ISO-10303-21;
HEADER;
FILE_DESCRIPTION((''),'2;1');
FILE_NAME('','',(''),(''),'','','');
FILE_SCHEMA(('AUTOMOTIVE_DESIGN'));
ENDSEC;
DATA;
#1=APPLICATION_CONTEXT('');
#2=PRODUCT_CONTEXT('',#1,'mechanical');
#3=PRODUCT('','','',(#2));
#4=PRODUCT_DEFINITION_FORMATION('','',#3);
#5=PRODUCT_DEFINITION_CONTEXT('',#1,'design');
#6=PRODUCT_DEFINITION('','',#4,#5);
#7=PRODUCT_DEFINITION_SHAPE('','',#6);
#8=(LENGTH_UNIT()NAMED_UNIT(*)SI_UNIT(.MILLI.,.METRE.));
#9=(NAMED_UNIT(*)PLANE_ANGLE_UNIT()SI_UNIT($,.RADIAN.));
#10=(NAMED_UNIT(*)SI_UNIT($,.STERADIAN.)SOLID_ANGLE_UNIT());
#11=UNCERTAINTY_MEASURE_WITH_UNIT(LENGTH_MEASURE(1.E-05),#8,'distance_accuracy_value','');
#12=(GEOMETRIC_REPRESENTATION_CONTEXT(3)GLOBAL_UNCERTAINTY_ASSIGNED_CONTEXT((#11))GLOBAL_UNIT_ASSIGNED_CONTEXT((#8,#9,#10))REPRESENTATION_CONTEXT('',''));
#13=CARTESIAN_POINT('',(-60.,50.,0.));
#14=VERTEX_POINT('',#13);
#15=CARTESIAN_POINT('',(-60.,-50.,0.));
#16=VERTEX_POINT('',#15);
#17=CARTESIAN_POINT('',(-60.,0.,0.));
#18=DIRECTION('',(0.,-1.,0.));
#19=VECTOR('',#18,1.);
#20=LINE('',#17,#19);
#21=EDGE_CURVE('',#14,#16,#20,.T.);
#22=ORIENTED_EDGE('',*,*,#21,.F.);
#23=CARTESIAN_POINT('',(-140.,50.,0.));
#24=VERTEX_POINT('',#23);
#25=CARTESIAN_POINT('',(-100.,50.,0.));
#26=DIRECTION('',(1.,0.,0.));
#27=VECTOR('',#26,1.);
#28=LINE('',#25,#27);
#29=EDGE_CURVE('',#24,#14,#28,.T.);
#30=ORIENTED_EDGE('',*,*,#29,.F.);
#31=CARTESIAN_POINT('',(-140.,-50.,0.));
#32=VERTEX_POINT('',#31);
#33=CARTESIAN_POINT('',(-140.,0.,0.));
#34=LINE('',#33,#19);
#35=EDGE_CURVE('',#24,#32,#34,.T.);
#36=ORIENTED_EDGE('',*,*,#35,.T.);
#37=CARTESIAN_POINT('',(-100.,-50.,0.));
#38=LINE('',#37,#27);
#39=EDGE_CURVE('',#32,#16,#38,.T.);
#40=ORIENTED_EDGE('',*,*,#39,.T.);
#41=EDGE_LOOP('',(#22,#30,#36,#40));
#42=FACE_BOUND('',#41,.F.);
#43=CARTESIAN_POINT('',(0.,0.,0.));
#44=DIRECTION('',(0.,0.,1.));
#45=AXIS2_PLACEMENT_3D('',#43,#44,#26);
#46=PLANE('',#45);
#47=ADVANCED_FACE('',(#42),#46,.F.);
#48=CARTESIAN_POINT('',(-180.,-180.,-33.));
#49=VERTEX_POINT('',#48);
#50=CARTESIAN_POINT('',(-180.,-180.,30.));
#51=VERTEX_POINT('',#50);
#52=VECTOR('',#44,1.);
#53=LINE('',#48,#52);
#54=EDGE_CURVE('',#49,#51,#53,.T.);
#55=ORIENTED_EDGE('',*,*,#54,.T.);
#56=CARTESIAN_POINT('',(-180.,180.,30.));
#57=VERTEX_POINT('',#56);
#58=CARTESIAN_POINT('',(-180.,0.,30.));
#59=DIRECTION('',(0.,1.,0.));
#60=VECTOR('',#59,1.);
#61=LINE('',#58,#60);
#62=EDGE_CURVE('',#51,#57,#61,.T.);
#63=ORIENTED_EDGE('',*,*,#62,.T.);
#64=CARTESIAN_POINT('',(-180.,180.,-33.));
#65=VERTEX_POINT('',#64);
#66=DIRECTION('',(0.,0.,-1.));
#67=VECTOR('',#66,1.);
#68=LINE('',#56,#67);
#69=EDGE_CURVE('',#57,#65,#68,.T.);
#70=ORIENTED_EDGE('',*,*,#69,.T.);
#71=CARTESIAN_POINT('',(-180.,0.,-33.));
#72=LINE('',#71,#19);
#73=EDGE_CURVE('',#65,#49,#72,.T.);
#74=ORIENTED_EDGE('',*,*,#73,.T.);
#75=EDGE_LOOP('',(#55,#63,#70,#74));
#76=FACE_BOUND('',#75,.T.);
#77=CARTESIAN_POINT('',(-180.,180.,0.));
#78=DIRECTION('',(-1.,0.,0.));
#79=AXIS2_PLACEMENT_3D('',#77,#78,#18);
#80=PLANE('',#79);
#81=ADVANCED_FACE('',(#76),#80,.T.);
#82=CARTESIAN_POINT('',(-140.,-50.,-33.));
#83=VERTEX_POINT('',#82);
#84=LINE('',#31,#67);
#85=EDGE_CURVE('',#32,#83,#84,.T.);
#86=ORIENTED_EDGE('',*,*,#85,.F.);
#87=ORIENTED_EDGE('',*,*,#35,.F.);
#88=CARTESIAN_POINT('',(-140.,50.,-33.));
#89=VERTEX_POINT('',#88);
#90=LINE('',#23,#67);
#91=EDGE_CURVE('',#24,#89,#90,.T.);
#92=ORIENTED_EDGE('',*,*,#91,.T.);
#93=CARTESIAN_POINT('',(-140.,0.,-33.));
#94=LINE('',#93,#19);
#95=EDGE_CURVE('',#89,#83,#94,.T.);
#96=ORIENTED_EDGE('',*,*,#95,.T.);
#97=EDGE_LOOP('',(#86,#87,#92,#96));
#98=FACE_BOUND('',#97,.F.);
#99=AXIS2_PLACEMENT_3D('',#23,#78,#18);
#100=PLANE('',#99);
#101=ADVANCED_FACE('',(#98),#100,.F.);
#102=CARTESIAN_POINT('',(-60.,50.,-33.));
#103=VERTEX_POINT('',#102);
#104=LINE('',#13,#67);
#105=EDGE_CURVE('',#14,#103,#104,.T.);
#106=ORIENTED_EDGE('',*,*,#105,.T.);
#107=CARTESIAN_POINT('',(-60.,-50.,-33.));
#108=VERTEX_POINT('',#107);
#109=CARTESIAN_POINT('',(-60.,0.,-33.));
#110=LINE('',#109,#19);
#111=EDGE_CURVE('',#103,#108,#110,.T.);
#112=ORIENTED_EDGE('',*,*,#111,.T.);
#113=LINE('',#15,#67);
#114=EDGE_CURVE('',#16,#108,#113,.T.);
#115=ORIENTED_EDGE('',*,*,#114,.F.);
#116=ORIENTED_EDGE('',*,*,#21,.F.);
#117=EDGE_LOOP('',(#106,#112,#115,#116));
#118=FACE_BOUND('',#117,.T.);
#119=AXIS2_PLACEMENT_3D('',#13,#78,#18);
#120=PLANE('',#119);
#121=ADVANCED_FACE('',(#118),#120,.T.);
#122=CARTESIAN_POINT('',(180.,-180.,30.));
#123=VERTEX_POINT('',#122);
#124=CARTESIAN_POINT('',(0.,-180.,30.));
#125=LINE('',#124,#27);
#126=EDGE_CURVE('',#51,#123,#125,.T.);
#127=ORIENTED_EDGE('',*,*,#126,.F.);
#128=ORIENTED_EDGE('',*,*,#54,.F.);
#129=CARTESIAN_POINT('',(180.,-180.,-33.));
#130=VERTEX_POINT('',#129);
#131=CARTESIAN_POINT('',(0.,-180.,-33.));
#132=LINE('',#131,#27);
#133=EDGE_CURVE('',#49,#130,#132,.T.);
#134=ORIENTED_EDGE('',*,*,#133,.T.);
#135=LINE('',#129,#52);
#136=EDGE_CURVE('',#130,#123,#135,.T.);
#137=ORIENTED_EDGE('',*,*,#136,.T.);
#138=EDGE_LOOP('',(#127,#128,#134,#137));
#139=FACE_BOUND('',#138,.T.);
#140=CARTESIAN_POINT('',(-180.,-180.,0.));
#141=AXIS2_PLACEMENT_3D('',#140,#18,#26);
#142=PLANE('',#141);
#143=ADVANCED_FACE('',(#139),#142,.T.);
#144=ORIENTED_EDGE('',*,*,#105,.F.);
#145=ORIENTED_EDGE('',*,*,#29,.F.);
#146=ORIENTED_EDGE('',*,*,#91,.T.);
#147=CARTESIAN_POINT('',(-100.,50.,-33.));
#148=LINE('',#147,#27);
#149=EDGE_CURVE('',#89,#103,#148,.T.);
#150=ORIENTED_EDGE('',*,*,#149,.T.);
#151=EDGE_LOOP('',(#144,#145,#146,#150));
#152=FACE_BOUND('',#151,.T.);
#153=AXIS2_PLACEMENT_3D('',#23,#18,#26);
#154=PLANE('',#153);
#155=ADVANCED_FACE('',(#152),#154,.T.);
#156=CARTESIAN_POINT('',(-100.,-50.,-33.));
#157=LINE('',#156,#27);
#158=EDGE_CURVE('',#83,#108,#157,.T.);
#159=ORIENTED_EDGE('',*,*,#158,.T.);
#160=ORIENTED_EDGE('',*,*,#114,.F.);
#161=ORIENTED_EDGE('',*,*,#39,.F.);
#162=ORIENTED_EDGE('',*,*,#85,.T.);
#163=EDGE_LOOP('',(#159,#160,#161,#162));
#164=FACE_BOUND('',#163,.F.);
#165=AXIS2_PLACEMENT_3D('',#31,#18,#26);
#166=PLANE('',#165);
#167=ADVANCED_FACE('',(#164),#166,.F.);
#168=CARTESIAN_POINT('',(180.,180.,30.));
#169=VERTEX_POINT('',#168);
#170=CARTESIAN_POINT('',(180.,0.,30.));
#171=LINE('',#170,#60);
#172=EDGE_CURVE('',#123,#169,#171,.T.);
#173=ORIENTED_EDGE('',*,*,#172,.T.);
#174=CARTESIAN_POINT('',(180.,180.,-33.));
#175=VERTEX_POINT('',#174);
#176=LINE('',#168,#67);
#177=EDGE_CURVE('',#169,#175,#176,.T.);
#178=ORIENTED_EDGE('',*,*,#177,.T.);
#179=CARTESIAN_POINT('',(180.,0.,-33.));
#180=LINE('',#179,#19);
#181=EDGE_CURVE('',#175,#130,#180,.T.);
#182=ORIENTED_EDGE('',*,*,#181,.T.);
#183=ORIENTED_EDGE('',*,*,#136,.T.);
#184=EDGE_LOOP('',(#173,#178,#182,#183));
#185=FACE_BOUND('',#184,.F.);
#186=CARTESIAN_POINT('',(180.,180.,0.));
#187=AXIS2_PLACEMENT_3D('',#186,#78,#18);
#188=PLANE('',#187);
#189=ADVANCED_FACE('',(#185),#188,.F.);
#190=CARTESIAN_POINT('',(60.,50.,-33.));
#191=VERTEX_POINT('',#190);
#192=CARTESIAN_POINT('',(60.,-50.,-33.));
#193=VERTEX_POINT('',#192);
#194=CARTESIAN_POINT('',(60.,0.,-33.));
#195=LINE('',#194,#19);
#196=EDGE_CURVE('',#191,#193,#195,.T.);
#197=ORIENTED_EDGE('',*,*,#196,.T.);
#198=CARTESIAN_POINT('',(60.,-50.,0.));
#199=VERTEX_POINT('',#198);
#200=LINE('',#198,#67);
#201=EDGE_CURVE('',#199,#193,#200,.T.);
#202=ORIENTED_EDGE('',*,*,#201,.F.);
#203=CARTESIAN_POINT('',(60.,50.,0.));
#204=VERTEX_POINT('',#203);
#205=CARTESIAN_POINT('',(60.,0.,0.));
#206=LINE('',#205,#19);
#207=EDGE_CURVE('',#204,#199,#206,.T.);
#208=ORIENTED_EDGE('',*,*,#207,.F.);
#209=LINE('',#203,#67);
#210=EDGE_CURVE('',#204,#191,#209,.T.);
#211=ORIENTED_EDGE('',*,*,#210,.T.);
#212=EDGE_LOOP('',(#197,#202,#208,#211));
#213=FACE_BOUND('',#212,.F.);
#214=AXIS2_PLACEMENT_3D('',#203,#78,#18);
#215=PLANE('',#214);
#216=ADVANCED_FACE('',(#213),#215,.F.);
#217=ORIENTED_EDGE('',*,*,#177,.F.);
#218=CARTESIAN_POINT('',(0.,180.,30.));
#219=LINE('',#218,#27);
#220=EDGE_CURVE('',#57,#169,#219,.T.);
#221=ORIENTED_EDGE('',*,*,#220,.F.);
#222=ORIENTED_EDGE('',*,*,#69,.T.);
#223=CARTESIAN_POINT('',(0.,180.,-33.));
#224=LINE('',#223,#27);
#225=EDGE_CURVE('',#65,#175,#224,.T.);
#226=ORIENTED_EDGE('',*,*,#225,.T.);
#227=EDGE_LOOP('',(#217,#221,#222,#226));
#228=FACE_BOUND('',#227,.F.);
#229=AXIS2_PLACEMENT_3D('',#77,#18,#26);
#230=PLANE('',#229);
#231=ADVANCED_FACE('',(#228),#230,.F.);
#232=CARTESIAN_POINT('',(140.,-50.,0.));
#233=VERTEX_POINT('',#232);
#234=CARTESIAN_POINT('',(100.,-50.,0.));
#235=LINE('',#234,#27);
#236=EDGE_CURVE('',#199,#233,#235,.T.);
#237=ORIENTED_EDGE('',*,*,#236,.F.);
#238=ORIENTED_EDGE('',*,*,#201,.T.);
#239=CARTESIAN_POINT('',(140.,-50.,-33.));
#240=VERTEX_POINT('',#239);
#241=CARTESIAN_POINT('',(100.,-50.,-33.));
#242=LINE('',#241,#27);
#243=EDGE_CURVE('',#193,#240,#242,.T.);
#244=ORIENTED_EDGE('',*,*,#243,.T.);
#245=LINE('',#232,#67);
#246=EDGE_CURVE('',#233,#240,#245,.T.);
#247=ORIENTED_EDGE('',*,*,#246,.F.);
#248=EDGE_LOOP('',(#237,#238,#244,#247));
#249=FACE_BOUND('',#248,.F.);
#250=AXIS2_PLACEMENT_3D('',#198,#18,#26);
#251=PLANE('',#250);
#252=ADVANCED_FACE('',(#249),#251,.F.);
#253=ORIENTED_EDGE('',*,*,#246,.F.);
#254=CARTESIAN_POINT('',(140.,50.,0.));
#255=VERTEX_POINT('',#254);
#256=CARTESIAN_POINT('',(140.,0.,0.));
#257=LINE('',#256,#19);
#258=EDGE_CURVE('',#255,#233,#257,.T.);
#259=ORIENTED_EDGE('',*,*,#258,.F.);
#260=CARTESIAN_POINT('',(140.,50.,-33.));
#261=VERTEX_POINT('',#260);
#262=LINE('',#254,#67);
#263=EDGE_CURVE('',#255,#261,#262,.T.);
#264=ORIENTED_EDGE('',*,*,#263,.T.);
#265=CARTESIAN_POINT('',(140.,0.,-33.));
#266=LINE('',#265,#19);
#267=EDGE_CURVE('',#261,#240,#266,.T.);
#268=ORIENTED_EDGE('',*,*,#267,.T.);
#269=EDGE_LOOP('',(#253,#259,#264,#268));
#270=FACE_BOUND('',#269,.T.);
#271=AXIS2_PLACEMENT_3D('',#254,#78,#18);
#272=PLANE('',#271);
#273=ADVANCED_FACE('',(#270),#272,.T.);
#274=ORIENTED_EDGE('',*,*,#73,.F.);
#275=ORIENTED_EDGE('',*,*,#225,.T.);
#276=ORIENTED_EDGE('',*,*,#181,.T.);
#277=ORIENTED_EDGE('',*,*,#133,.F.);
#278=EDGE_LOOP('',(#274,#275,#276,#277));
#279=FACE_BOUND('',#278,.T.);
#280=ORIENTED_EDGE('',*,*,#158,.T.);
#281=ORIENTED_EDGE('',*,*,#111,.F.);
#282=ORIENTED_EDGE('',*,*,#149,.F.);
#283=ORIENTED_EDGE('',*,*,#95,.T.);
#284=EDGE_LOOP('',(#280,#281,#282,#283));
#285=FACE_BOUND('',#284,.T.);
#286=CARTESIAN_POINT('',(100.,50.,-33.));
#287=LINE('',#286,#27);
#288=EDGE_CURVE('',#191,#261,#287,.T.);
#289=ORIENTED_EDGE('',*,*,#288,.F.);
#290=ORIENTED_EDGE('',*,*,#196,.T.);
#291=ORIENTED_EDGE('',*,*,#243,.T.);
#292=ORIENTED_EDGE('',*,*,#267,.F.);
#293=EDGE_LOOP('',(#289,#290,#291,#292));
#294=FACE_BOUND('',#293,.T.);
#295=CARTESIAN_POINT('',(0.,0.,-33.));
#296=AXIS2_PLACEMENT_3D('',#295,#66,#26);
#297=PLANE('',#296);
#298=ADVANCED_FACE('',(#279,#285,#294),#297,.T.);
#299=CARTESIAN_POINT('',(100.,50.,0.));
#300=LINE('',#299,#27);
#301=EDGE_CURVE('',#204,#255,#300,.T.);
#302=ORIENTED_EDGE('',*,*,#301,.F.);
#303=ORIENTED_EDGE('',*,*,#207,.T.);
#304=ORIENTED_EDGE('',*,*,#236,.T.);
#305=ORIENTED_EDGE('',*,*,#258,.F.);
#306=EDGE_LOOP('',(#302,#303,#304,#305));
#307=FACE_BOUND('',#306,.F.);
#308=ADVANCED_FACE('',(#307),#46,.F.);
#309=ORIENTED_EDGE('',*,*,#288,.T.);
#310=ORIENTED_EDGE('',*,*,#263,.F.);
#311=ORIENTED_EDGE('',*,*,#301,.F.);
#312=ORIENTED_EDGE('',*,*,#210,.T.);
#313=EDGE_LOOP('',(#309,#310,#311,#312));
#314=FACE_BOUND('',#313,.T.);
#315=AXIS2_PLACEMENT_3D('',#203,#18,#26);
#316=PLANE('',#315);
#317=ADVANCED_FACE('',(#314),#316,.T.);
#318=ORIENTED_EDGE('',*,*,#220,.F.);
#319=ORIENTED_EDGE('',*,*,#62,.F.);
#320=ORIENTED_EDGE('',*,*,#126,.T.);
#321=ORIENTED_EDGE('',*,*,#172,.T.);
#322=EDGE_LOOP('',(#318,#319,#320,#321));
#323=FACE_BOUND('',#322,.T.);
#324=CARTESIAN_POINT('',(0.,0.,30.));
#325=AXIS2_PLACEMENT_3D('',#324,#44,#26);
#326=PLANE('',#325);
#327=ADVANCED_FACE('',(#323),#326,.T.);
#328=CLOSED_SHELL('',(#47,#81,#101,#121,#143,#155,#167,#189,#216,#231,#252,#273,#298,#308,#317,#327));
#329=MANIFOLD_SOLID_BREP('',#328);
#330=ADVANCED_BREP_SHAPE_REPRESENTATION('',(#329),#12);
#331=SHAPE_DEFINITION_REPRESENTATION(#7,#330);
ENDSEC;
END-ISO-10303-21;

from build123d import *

# Parameters (mm, degrees)
F0_W     = 360
F0_H     = 360
F1_DEPTH = 30
F2_W     = 360
F2_H     = 360
F2_W_2   = 80
F2_H_2   = 100
F3_DEPTH = 33


with BuildPart() as f1:
    # F0 (on Top) → F1 (new body)
    with BuildSketch(Plane.XY):
        Rectangle(F0_W, F0_H)
    extrude(amount=F1_DEPTH)

    # F2 (on face) → F3 (join)
    with BuildSketch(Plane(origin=(0, 0, 0), x_dir=(1, 0, 0), z_dir=(0, 0, -1))):
        Rectangle(F2_W, F2_H)
        with Locations((-100, 0)):
            Rectangle(F2_W_2, F2_H_2, mode=Mode.SUBTRACT)
        with Locations((100, 0)):
            Rectangle(F2_W_2, F2_H_2, mode=Mode.SUBTRACT)
    extrude(amount=F3_DEPTH)


solid = f1.part
